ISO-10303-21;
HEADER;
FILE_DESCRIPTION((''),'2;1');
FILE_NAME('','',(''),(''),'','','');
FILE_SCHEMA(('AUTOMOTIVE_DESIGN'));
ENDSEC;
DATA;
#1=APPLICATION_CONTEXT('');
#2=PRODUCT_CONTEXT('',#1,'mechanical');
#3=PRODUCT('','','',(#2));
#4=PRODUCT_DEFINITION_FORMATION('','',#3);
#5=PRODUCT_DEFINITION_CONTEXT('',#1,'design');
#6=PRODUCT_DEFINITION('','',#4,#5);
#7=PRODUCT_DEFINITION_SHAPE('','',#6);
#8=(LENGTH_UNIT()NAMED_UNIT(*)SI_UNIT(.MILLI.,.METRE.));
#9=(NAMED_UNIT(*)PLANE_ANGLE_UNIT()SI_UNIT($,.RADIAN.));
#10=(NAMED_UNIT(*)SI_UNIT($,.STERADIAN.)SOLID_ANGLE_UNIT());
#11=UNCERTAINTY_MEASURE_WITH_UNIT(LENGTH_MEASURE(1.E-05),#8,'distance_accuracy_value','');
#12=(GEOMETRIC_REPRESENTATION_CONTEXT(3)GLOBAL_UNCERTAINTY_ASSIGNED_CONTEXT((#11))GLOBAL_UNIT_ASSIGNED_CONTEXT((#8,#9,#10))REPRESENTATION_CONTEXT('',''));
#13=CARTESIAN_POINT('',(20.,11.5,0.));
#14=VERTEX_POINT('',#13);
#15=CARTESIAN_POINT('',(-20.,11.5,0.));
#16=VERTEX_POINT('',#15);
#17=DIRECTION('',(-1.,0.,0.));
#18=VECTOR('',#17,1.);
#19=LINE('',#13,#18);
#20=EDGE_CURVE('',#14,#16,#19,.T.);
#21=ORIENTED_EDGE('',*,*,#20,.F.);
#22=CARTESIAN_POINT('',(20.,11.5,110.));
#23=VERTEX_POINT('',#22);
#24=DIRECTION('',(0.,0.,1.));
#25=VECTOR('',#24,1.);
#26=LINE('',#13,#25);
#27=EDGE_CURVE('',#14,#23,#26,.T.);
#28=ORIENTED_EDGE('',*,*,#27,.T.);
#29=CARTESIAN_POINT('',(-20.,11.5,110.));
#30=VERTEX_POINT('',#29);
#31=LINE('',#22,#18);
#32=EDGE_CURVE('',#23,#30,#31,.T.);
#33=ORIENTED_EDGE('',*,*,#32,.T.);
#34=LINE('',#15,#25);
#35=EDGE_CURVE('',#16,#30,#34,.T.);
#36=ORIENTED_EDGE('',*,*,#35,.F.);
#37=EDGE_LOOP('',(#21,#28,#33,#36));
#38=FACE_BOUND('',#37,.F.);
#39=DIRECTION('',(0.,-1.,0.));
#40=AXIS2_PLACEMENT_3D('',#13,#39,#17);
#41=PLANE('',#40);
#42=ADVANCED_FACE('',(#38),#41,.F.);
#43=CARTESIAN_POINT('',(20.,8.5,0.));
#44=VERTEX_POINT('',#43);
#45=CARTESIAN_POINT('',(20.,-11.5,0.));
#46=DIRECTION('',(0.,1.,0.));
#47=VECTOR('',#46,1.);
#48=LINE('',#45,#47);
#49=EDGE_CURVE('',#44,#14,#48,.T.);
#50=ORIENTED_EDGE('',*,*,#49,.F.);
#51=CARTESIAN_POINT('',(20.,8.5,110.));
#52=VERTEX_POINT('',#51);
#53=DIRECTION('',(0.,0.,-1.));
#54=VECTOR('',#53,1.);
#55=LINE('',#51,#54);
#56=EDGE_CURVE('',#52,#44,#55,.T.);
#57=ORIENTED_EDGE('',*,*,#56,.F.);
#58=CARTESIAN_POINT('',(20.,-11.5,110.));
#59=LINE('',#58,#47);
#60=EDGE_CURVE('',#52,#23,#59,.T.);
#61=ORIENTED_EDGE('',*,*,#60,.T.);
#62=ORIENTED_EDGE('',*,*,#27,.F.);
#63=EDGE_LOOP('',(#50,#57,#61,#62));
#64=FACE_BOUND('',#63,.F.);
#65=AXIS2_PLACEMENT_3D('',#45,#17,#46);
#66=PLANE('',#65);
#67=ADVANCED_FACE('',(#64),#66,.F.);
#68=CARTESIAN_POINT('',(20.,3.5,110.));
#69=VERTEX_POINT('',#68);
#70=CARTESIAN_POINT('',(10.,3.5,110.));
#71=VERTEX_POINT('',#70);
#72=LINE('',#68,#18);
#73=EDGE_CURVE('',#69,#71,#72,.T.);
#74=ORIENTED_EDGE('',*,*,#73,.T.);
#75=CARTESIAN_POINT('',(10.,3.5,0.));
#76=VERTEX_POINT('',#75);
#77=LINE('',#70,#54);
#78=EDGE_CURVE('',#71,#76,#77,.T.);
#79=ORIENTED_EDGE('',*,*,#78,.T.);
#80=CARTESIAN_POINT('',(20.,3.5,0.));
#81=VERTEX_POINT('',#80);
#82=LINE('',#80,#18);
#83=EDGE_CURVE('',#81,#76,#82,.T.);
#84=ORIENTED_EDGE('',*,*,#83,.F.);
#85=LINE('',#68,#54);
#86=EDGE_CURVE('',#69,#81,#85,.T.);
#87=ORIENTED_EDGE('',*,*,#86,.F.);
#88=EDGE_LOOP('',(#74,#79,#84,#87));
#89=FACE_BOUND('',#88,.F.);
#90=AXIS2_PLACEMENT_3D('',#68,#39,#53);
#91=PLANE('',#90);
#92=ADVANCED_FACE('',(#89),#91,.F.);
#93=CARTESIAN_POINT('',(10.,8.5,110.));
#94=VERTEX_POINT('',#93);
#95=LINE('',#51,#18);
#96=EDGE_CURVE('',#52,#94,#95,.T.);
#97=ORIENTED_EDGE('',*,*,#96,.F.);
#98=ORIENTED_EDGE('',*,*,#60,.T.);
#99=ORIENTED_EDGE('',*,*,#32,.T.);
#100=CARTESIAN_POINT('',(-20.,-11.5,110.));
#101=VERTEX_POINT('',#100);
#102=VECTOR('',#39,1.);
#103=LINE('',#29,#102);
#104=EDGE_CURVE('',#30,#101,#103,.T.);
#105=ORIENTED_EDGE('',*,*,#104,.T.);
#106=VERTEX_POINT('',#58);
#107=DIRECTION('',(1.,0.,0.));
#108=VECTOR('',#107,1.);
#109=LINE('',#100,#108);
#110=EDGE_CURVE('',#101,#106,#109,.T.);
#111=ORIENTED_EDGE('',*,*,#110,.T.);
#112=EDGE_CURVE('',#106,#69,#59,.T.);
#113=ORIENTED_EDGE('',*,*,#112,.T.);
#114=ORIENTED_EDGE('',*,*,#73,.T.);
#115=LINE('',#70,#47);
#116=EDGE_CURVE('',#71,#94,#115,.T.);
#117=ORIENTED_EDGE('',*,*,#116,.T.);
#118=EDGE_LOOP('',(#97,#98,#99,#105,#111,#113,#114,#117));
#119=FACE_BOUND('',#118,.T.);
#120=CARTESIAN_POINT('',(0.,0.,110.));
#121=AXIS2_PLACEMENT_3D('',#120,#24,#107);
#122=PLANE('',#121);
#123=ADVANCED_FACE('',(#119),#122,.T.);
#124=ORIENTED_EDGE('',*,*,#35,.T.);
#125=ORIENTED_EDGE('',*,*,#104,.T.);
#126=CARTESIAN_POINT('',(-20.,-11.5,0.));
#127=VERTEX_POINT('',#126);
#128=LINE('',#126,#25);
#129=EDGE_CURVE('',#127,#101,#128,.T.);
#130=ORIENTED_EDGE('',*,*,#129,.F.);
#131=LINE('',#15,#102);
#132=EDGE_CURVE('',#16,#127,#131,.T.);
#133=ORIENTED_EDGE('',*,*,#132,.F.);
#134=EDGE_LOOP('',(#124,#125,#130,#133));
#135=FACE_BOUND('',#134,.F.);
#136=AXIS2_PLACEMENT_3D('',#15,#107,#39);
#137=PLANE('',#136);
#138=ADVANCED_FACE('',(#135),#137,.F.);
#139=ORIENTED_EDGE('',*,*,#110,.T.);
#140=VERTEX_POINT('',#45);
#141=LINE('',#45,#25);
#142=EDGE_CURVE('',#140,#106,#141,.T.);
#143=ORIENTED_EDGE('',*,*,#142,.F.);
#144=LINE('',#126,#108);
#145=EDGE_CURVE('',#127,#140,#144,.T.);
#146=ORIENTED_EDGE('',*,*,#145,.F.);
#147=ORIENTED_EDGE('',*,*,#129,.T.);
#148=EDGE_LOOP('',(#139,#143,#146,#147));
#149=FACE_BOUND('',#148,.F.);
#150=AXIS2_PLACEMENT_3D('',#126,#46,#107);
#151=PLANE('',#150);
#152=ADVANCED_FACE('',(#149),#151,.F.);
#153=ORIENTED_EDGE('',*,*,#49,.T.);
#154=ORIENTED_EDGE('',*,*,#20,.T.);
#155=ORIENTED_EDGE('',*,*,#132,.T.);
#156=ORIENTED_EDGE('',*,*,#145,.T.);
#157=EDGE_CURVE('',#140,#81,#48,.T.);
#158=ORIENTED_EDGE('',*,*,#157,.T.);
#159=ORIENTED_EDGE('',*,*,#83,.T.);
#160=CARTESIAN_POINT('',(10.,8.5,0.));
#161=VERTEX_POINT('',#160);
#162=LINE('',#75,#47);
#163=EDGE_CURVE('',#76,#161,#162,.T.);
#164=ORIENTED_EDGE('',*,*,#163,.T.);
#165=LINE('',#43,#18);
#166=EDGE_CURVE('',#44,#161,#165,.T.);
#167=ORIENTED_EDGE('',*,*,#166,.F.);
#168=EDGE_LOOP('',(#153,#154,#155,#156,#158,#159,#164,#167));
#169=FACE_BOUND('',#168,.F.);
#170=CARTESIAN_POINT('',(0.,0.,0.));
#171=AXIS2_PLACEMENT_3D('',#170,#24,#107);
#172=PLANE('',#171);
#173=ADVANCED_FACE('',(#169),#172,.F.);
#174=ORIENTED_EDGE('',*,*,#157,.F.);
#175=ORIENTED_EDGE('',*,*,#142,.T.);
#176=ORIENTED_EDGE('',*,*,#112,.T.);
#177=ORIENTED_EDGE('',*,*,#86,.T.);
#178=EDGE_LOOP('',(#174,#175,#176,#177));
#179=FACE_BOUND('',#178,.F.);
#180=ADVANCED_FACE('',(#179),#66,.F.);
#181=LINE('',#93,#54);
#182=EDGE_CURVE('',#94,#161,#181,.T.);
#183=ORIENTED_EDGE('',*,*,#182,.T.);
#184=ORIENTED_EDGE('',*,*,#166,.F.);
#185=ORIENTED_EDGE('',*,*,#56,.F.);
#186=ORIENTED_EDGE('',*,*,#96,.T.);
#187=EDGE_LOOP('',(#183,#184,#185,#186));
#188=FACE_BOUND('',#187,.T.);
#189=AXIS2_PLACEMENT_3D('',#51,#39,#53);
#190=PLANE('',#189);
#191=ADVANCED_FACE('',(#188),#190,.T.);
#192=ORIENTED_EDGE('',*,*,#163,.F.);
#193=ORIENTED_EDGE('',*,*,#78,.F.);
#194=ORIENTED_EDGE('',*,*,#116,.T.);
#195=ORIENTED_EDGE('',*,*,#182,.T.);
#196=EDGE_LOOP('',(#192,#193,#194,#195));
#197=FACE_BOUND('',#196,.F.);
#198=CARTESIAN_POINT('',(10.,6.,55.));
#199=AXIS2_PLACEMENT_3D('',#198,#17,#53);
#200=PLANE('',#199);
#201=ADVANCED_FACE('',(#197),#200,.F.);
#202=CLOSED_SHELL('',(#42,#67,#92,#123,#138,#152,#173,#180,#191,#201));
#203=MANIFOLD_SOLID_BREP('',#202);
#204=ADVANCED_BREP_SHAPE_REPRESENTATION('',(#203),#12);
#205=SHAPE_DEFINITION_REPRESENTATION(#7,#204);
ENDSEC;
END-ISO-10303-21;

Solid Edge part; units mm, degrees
sketch "Sketch1" plane through (0, 0, 0) normal (0, 0, 1) x (1, 0, 0)
  line L0 (20, -11.5) -> (20, 11.5)
  line L1 (20, 11.5) -> (-20, 11.5)
  line L2 (-20, 11.5) -> (-20, -11.5)
  line L3 (-20, -11.5) -> (20, -11.5)
extrude "Protrusion1" add sketch "Sketch1" along normal blind 110
sketch "Sketch2" plane through (20, 0, 55) normal (1, 0, 0) x (0, 1, 0)
  line L0 (8.5, 55) -> (8.5, -55)
  line L1 (3.5, -55) -> (8.5, -55)
  line L2 (3.5, 55) -> (3.5, -55)
  line L3 (3.5, 55) -> (8.5, 55)
extrude "Cutout1" cut sketch "Sketch2" against normal blind 10
